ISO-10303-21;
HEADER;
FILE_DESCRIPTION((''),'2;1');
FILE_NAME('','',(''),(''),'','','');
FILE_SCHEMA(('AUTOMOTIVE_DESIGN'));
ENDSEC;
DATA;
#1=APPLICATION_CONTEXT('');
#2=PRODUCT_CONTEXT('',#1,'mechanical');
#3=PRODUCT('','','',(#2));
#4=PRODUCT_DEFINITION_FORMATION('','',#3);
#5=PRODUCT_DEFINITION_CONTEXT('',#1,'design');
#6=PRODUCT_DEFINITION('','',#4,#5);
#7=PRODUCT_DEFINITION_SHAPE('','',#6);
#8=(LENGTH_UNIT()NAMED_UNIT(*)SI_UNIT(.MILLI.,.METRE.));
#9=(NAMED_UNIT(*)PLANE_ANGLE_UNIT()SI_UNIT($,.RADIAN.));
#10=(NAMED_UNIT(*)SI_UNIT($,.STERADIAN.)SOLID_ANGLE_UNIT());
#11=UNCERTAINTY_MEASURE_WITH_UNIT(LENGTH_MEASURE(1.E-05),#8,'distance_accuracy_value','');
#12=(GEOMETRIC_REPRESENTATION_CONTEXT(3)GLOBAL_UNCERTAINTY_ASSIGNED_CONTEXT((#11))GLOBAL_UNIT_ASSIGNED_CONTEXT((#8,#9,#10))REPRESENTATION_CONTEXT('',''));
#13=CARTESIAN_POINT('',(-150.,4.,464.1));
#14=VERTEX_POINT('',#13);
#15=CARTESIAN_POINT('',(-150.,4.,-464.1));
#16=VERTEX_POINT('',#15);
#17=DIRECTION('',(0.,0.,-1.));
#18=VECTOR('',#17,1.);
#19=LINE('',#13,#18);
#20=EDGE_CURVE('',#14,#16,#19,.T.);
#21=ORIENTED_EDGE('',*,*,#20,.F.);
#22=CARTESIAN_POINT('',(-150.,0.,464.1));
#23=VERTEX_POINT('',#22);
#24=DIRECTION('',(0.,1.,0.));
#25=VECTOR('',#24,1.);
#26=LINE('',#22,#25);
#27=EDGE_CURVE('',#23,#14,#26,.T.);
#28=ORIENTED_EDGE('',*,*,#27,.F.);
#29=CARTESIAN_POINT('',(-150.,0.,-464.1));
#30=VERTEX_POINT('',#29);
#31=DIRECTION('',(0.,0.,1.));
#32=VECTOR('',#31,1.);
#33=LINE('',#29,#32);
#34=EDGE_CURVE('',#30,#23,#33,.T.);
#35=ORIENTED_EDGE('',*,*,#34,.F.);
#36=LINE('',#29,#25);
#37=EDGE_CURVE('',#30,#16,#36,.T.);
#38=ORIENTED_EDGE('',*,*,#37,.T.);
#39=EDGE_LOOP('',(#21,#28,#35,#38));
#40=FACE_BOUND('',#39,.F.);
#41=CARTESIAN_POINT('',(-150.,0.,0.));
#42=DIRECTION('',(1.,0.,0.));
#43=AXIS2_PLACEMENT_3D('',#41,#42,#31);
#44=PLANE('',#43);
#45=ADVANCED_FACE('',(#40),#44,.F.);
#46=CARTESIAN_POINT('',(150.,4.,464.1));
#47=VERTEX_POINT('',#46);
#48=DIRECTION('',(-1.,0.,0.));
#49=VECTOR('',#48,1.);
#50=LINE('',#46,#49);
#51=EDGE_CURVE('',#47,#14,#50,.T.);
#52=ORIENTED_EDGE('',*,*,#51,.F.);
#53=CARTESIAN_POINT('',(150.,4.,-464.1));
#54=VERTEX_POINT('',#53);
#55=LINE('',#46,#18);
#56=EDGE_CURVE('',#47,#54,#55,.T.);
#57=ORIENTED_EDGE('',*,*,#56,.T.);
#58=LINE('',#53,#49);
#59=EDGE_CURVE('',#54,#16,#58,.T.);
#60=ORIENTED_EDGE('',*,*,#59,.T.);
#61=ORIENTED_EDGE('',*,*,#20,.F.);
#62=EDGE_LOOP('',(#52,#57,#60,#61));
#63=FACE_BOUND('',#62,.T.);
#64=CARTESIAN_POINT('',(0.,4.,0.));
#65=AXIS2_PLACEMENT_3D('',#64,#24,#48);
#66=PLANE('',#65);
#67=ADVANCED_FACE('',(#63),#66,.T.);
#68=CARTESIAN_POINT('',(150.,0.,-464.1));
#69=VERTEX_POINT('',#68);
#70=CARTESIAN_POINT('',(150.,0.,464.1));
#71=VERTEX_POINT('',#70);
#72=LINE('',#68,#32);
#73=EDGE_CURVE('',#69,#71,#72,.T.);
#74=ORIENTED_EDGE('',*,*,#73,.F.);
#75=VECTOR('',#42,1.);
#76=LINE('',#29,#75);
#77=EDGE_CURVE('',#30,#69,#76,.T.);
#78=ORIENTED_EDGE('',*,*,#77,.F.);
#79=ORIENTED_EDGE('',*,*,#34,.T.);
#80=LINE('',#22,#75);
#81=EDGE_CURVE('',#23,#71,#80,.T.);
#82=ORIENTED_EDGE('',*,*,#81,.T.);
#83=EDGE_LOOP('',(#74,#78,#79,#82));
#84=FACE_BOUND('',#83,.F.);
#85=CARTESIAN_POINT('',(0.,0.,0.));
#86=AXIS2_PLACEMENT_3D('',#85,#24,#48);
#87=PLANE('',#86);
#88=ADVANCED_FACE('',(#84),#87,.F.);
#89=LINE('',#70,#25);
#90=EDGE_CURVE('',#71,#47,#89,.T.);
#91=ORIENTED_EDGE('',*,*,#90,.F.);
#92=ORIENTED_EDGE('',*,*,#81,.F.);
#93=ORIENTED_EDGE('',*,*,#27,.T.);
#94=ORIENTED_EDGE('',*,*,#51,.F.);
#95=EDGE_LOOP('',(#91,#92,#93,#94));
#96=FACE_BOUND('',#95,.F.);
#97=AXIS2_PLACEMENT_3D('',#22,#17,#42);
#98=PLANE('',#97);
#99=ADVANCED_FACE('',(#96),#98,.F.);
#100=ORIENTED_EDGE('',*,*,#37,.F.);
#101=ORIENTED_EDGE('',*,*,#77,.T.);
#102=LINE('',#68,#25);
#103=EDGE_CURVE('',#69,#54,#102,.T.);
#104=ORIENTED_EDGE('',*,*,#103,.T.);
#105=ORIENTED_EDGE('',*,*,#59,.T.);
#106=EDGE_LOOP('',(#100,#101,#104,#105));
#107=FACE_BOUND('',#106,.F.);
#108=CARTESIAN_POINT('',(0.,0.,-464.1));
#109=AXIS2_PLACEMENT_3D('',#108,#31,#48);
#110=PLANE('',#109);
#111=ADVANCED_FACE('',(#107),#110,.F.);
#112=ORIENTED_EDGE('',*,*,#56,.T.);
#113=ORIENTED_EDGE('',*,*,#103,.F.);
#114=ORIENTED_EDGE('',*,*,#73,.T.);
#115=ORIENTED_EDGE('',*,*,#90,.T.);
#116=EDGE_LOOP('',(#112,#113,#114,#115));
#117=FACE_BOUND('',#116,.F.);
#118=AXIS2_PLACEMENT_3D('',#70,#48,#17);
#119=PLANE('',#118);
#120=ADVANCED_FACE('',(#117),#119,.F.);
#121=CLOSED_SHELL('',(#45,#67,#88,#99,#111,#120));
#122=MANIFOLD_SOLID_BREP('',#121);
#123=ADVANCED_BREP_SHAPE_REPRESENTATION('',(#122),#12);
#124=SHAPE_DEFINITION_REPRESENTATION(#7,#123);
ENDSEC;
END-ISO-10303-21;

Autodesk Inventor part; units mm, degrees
ref_plane "YZ Plane" through (0, 0, 0) normal (1, 0, 0) x (0, 1, 0)
ref_plane "XZ Plane" through (0, 0, 0) normal (0, 1, 0) x (-1, 0, 0)
ref_plane "XY Plane" through (0, 0, 0) normal (0, 0, 1) x (1, 0, 0)
sketch "Sketch1" plane through (0, 0, 0) normal (0, 1, 0) x (-1, 0, 0)
  line L0 (150, 464.1) -> (-150, 464.1)
  line L1 (-150, 464.1) -> (-150, -464.1)
  line L2 (-150, -464.1) -> (150, -464.1)
  line L3 (150, -464.1) -> (150, 464.1)
  line L4 (0, -649.74) -> (0, 649.74) projected
  line L5 (-210, 0) -> (210, 0) projected
  point P0 (0, 0)
  dimension "d0" = 928.2
  dimension "d1" = 300
extrude "Extrusion1" add sketch "Sketch1" along normal blind 4
properties part number "AluminumSheet"
